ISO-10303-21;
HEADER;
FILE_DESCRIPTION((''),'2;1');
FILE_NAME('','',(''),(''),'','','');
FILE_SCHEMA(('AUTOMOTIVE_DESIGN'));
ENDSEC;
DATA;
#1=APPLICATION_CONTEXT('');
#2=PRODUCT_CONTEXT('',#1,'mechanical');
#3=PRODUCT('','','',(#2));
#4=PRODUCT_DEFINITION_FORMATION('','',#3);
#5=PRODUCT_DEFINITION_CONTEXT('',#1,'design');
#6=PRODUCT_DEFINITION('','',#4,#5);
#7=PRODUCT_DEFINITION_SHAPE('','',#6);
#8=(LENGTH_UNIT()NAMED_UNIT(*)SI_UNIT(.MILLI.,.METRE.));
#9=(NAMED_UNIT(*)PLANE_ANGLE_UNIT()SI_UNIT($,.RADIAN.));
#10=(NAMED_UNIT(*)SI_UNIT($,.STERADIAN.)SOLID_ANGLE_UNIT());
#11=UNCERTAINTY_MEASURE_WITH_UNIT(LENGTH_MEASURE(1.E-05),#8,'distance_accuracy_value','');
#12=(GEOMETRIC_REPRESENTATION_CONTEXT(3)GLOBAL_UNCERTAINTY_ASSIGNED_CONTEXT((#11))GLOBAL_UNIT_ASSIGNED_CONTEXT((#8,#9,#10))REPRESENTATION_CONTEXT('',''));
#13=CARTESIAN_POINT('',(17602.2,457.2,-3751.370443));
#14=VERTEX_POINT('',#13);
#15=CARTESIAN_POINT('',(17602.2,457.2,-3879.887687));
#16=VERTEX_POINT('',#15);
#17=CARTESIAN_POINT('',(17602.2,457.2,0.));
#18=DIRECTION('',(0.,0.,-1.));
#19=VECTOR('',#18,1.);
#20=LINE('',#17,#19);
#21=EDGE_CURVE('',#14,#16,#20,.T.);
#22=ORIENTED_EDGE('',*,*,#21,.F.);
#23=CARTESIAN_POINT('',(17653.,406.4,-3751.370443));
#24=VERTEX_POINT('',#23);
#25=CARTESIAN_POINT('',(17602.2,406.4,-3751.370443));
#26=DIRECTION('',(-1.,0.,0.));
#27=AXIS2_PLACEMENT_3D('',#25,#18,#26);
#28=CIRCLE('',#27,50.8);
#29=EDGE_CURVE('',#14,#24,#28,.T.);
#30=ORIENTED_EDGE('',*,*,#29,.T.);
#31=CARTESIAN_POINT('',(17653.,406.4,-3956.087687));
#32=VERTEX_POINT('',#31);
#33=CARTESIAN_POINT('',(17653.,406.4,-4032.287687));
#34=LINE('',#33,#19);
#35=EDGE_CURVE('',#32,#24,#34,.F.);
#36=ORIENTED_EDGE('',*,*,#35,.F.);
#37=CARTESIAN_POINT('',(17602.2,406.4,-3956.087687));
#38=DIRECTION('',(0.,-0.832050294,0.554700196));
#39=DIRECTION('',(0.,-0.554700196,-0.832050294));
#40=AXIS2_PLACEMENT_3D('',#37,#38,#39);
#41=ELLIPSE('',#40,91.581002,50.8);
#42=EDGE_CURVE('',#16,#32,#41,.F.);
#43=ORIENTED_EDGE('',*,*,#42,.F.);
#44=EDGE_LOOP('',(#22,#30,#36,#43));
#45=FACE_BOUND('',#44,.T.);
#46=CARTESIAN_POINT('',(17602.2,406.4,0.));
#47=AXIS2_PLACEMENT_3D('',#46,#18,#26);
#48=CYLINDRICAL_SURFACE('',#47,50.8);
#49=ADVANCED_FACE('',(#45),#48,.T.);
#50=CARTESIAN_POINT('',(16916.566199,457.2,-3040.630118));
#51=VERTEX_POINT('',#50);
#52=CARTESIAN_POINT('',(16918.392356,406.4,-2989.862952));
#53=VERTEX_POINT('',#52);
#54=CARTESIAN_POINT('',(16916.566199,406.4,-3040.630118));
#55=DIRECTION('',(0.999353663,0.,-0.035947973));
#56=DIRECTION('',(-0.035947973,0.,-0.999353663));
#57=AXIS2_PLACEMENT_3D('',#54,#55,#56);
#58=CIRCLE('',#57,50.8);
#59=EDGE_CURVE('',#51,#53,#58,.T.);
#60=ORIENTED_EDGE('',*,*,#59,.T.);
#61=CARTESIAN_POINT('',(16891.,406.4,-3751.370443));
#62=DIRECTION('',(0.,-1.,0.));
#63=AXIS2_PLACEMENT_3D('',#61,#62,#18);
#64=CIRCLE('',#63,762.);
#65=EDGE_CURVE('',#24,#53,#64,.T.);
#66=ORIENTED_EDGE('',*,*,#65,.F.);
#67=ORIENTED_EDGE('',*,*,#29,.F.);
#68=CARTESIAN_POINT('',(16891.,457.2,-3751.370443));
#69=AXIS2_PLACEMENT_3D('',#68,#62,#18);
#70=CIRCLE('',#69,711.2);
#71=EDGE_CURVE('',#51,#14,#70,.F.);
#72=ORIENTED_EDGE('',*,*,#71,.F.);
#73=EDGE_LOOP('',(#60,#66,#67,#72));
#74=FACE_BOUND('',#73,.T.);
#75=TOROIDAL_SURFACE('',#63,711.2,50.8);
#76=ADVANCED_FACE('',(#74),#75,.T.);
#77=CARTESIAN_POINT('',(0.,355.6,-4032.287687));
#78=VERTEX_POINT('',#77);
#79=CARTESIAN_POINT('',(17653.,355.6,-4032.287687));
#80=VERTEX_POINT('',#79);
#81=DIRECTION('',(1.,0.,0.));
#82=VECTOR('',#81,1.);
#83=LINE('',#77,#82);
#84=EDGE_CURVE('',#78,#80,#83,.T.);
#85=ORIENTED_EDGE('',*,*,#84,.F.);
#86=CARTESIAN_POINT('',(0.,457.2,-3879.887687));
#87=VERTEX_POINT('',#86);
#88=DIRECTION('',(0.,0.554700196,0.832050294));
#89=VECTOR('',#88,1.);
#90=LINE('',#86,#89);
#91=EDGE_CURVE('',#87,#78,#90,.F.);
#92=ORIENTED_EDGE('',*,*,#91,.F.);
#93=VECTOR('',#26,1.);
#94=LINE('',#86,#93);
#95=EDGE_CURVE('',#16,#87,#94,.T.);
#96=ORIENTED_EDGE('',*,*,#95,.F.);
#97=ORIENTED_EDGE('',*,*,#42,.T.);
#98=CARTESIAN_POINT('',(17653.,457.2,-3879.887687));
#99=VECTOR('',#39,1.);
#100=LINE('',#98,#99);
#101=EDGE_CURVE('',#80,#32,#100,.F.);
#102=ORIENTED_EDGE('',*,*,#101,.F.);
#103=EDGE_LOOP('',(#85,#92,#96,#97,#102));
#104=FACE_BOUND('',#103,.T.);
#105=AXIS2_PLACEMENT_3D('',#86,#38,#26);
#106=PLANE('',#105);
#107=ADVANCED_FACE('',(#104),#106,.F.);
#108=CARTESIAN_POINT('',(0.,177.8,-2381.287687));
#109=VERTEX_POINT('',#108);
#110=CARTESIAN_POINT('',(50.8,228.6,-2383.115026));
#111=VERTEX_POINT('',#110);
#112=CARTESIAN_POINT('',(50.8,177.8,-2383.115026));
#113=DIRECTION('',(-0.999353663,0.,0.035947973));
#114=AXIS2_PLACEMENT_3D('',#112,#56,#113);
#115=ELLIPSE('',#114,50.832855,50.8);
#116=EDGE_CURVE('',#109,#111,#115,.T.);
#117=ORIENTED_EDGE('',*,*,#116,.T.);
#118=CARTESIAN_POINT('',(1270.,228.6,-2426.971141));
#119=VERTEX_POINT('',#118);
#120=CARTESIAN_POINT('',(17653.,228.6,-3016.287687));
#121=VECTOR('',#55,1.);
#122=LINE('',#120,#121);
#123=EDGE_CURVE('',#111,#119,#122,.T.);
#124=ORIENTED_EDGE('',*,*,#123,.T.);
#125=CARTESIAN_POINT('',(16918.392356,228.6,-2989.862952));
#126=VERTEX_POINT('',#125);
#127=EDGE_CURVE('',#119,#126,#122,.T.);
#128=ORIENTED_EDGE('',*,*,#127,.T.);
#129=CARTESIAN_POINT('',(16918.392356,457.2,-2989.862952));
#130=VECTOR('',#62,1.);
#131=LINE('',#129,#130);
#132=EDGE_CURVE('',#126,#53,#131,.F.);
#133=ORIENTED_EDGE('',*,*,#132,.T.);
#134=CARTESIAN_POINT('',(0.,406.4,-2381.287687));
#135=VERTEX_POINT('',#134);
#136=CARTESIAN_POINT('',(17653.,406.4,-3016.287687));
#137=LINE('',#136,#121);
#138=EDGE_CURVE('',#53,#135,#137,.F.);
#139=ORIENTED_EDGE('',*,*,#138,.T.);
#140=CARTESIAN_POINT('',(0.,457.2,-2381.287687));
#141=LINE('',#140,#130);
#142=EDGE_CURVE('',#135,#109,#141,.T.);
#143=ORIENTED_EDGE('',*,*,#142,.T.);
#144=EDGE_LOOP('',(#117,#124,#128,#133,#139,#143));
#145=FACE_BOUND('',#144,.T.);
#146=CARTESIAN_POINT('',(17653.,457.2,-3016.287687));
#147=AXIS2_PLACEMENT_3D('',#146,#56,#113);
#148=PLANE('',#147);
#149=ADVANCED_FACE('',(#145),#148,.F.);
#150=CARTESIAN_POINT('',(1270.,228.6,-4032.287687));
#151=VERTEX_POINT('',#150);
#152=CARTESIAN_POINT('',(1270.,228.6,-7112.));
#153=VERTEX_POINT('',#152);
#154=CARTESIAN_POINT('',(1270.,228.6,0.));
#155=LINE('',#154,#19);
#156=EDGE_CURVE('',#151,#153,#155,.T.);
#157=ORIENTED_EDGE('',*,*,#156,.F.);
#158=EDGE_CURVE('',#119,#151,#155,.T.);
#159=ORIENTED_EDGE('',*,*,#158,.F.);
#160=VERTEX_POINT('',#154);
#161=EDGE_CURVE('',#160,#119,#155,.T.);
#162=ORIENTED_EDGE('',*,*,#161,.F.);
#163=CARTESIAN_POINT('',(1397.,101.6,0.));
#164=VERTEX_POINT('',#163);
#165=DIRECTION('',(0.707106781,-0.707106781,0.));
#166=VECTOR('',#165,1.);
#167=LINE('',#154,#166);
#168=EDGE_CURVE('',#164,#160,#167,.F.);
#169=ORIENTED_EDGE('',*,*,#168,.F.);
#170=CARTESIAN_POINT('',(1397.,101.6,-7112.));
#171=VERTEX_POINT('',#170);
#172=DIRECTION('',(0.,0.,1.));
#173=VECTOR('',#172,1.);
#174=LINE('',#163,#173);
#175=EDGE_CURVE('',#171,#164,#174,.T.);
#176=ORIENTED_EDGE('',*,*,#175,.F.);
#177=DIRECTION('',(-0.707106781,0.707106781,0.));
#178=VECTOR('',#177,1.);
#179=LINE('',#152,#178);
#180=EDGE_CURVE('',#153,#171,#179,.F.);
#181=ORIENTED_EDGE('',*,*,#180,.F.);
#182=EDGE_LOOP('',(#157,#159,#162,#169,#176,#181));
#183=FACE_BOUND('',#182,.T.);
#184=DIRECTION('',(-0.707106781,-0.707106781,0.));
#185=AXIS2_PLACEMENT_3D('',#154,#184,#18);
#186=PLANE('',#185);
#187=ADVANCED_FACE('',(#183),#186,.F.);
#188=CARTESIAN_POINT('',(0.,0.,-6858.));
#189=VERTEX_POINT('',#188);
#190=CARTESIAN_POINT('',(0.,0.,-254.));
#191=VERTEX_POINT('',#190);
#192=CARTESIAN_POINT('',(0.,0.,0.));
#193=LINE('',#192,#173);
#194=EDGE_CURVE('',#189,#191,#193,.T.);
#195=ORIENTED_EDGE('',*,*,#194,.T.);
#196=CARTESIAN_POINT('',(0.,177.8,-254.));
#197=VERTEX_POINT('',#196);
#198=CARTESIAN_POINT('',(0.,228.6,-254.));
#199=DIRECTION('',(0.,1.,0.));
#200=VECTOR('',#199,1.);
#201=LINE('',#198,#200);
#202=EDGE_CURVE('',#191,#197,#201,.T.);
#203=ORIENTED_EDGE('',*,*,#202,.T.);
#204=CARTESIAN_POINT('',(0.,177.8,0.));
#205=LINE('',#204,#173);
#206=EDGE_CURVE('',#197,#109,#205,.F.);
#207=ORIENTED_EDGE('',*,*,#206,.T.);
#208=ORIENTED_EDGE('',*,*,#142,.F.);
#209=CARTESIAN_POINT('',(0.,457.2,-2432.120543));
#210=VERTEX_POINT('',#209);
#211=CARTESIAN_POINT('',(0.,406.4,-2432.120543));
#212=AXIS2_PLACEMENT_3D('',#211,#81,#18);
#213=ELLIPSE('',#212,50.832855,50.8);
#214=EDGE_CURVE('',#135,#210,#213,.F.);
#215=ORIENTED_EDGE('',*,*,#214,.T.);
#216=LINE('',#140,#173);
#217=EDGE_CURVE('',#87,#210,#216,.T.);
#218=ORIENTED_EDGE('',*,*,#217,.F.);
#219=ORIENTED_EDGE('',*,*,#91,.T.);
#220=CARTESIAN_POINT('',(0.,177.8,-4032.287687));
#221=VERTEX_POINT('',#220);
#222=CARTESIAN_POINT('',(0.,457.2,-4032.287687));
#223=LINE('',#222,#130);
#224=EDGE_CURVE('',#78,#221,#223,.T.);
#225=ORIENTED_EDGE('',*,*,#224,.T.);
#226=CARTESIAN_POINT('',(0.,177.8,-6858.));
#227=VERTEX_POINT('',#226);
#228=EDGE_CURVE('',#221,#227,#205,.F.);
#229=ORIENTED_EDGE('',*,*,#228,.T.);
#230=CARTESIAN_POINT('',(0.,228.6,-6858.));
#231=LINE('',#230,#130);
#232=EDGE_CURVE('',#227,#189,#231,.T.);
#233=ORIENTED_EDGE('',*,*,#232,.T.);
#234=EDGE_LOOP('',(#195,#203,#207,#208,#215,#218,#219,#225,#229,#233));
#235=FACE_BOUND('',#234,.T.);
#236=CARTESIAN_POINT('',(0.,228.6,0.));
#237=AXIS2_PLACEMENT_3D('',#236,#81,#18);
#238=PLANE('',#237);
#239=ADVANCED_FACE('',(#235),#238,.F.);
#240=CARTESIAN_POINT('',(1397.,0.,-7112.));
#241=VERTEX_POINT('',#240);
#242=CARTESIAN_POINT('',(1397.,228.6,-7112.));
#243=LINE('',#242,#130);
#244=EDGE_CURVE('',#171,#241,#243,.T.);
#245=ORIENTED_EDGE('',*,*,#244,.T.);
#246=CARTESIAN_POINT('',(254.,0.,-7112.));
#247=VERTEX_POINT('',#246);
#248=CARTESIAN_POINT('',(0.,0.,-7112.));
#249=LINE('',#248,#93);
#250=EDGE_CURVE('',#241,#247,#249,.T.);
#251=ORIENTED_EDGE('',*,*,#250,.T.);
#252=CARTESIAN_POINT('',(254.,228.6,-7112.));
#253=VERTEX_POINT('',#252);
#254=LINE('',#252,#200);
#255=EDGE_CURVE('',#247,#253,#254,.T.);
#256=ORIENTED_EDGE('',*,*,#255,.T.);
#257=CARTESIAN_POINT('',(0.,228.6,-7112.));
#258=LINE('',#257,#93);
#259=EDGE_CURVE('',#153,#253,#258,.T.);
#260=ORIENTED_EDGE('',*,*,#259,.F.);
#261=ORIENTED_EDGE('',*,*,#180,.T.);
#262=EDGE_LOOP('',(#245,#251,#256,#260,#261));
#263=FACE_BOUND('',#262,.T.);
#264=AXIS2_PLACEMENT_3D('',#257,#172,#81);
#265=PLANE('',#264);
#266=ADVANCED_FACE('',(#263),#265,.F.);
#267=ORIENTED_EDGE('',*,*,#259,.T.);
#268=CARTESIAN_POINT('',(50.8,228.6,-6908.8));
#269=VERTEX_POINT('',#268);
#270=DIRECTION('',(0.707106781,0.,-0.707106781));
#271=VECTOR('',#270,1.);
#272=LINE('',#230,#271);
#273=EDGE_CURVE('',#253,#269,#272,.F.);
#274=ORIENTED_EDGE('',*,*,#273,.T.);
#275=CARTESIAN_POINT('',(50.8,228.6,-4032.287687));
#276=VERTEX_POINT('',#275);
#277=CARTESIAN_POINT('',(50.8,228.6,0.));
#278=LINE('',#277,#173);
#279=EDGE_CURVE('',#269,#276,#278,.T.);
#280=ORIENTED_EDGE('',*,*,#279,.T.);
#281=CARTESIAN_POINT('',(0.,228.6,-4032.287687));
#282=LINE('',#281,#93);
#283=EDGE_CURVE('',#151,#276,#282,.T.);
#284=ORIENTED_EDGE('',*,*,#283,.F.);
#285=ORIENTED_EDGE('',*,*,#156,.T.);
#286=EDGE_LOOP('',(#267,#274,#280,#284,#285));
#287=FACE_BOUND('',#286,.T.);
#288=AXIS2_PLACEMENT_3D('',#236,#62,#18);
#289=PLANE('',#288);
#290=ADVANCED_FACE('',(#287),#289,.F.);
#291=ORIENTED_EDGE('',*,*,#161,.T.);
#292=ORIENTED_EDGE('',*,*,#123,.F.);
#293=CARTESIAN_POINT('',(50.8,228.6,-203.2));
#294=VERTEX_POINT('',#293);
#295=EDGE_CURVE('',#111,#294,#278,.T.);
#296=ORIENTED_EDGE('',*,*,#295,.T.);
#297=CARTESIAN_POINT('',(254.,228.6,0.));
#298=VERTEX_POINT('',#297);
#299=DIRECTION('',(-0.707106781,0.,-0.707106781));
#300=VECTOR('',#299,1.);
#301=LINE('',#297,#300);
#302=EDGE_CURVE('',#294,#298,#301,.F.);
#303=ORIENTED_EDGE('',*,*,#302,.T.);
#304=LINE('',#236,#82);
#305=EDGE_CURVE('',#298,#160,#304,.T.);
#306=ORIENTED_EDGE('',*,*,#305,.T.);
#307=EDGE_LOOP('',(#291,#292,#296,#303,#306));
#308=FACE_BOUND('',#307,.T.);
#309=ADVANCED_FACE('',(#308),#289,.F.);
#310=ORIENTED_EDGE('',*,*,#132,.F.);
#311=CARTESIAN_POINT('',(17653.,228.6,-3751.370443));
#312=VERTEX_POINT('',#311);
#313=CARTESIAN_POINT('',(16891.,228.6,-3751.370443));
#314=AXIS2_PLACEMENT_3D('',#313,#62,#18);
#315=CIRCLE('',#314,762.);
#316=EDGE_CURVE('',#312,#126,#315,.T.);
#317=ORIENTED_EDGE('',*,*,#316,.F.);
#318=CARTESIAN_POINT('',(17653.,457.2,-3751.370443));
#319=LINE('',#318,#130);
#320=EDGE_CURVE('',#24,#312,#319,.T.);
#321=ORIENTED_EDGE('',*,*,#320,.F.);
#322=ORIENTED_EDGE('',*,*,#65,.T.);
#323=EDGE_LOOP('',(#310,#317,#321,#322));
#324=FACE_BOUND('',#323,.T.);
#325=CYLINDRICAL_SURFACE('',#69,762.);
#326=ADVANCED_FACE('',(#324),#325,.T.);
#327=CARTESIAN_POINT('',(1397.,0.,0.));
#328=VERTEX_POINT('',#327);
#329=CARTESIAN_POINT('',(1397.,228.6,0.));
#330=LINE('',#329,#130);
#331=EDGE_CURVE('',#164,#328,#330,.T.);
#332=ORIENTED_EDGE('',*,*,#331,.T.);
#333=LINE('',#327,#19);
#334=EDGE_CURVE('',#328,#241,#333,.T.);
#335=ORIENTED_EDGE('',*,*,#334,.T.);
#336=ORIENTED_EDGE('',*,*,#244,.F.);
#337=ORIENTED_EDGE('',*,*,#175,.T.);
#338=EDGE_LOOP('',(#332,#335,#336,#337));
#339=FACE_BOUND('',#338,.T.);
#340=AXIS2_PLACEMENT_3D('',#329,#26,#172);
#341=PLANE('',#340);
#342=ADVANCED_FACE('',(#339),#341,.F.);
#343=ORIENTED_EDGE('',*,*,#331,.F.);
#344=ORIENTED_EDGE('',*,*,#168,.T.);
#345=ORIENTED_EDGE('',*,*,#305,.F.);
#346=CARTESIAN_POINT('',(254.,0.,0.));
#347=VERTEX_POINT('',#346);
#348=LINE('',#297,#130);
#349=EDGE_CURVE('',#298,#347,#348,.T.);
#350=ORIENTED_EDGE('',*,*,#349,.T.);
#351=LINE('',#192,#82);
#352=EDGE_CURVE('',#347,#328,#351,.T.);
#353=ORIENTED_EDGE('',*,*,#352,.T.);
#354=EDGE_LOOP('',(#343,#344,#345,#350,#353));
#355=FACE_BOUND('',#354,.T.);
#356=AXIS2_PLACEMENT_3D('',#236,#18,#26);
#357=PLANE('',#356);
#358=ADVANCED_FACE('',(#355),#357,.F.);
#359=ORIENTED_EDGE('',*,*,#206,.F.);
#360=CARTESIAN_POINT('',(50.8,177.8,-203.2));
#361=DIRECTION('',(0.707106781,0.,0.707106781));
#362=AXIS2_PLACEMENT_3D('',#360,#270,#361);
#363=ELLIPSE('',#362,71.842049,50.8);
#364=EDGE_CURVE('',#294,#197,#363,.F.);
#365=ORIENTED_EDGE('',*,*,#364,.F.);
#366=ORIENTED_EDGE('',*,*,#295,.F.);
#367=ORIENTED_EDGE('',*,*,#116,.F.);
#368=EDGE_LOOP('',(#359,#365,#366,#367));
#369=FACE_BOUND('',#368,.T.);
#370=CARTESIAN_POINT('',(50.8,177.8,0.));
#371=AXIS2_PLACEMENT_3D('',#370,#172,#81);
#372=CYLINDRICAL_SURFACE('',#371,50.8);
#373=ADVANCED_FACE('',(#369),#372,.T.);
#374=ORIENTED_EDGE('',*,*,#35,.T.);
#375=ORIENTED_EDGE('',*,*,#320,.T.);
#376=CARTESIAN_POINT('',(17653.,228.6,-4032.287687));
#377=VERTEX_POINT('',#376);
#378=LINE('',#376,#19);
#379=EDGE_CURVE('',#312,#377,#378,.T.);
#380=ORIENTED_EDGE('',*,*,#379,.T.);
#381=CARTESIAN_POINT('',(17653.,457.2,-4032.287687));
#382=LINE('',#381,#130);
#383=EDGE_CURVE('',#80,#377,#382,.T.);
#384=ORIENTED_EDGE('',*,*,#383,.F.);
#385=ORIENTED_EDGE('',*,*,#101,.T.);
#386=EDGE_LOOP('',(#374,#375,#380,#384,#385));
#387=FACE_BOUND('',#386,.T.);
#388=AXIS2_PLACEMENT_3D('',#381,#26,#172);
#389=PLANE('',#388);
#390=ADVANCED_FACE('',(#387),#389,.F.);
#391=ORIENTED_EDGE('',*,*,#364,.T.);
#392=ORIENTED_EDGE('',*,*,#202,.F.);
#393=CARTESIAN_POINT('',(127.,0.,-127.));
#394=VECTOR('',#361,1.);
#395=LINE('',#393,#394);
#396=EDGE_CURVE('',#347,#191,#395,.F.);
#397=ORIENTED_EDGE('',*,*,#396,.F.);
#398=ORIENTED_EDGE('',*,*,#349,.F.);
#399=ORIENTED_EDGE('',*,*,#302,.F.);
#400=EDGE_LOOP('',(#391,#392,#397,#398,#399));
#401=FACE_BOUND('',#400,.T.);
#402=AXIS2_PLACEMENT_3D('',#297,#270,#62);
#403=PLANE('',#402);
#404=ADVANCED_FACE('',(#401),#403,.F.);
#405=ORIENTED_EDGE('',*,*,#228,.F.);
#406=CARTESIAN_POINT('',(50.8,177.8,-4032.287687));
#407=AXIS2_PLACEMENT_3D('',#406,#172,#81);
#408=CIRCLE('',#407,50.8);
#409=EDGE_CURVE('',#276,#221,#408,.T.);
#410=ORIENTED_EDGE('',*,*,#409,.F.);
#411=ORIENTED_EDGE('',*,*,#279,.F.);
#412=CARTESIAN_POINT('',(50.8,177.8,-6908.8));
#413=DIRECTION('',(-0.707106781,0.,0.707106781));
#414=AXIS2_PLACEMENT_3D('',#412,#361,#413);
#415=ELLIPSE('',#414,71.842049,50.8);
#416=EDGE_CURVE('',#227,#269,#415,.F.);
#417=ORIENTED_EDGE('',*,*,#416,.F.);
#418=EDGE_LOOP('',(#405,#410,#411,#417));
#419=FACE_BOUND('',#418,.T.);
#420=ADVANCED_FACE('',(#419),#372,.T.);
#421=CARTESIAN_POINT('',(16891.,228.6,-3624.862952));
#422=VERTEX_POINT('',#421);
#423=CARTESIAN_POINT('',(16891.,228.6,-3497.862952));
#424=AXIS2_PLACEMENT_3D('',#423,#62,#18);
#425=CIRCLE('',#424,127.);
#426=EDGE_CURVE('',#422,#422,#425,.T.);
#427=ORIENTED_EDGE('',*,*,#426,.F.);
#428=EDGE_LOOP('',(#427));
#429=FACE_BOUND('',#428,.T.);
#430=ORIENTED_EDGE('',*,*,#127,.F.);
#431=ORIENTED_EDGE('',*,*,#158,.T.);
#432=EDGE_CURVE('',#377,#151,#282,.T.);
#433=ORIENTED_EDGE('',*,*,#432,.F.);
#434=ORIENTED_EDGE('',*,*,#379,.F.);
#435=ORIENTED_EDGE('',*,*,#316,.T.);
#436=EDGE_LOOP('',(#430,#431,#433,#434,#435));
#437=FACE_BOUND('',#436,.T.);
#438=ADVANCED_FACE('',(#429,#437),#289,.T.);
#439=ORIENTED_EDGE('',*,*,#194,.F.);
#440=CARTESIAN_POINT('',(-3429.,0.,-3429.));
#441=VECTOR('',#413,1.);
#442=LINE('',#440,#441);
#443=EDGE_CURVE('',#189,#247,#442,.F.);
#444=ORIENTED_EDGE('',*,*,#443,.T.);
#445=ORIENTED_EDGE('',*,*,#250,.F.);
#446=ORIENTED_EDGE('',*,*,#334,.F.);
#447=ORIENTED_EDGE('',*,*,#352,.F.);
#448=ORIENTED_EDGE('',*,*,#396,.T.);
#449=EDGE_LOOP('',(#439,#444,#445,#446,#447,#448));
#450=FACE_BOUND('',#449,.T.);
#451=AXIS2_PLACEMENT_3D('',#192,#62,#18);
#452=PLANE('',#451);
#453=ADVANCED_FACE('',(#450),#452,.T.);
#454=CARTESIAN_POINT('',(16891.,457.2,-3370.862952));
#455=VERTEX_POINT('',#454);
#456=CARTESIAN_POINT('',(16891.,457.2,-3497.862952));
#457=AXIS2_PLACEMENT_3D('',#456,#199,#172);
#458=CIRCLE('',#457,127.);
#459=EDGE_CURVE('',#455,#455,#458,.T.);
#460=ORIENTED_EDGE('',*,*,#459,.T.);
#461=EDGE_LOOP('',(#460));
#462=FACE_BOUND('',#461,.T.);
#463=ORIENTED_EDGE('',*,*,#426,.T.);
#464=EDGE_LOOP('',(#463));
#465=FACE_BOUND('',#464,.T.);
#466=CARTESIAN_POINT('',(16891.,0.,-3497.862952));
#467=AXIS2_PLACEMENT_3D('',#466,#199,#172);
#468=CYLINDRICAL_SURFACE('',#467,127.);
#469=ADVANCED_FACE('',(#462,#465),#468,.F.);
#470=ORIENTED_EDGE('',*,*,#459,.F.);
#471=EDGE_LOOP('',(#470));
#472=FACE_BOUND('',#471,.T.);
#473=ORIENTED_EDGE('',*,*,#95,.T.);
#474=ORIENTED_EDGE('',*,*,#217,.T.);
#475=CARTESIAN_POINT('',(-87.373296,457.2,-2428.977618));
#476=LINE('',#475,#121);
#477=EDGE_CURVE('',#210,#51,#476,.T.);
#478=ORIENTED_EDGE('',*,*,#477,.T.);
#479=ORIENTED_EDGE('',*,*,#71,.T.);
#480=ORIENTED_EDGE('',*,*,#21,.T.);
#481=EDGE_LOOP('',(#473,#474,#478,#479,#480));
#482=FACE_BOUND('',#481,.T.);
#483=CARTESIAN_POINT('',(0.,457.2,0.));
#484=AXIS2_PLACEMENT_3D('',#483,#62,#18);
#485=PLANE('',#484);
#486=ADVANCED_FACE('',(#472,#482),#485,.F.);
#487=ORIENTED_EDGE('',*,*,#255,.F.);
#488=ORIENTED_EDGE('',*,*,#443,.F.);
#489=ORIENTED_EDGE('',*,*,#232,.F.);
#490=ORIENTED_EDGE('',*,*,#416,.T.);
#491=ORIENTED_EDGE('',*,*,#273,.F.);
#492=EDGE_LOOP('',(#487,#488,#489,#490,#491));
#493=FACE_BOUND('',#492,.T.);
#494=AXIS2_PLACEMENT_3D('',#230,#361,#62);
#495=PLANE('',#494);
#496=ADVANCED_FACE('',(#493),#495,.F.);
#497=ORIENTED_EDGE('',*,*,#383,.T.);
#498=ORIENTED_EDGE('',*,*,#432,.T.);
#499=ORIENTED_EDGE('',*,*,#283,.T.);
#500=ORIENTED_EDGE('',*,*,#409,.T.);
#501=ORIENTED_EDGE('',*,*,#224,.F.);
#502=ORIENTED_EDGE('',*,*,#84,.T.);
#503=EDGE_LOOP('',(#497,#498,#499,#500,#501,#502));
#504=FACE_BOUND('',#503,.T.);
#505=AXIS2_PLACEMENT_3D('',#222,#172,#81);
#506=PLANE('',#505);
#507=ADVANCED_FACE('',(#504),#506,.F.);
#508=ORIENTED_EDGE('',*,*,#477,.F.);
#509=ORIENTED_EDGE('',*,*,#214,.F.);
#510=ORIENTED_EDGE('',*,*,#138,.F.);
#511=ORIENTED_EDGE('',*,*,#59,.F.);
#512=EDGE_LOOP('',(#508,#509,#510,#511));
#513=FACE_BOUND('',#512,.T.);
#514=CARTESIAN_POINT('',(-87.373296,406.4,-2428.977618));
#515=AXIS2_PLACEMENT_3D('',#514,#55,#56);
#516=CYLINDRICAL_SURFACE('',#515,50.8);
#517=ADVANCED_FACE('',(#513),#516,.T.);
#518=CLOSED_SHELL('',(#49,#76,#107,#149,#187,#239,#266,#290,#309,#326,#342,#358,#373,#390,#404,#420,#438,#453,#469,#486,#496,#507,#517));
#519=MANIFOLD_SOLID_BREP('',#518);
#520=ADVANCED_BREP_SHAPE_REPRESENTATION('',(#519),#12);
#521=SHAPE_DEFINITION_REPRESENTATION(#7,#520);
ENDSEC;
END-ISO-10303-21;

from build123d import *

# Parameters (mm, degrees)
SKETCH1_W           = 1397
SKETCH1_H           = 7112
BOSS_EXTRUDE1_DEPTH = 228.6
CHAMFER1_SIZE       = 127
CHAMFER3_SIZE       = 254
CHAMFER4_SIZE       = 254
BOSS_EXTRUDE2_DEPTH = 228.6
CHAMFER5_SIZE       = 101.6
CHAMFER5_SIZE2      = 152.4
FILLET1_R           = 762
FILLET2_R           = 50.8
SKETCH4_R           = 127
CUT_EXTRUDE1_DEPTH  = 19038.278819294


with BuildPart() as part:
    # Sketch1 → Boss-Extrude1 (new body)
    with BuildSketch(Plane(origin=(0, 0, 0), x_dir=(1, 0, 0), z_dir=(0, 1, 0))):
        with Locations((698.5, 3556)):
            Rectangle(SKETCH1_W, SKETCH1_H)
    extrude(amount=BOSS_EXTRUDE1_DEPTH)

    # Chamfer1
    chamfer1_edges = [part.edges().sort_by_distance(p)[0] for p in [
        (1397, 228.6, -3556),
    ]]
    chamfer(chamfer1_edges, length=CHAMFER1_SIZE)

    # Chamfer3
    chamfer3_edges = [part.edges().sort_by_distance(p)[0] for p in [
        (0, 114.3, -7112),
    ]]
    chamfer(chamfer3_edges, length=CHAMFER3_SIZE)

    # Chamfer4
    chamfer4_edges = [part.edges().sort_by_distance(p)[0] for p in [
        (0, 114.3, 0),
    ]]
    chamfer(chamfer4_edges, length=CHAMFER4_SIZE)

    # Sketch3 → Boss-Extrude2 (add)
    with BuildSketch(Plane(origin=(0, 228.6, 0), x_dir=(1, 0, 0), z_dir=(0, 1, 0))):
        Polygon((17653, 3016.28768746), (0, 2381.28768746), (0, 4032.28768746), (17653, 4032.28768746), align=None)
    extrude(amount=BOSS_EXTRUDE2_DEPTH)

    # Chamfer5
    chamfer5_edges = [part.edges().sort_by_distance(p)[0] for p in [
        (8826.5, 457.2, -4032.28768746),
    ]]
    chamfer5_side = [part.faces().sort_by_distance(p)[0] for p in [
        (8826.5, 342.9, -4032.28768746),
    ]]
    chamfer(chamfer5_edges, length=CHAMFER5_SIZE, length2=CHAMFER5_SIZE2, reference=chamfer5_side[0])

    # Fillet1
    fillet1_edges = [part.edges().sort_by_distance(p)[0] for p in [
        (17653, 342.9, -3016.28768746),
    ]]
    fillet(fillet1_edges, radius=FILLET1_R)

    # Fillet2
    fillet2_edges = [part.edges().sort_by_distance(p)[0] for p in [
        (0, 228.6, -5445.14384373),
        (0, 228.6, -1317.64384373),
        (8459.196177896, 457.2, -2685.575319758),
        (17653, 457.2, -3815.629065257),
        (17439.41452165, 457.2, -3222.328372473),
    ]]
    fillet(fillet2_edges, radius=FILLET2_R)

    # Sketch4 → Cut-Extrude1 (cut, through all)
    with BuildSketch(Plane(origin=(0, 457.2, 0), x_dir=(1, 0, 0), z_dir=(0, 1, 0))):
        with Locations(Location((16891, 3497.862952057, 0), (0, 0, 270))):
            Circle(SKETCH4_R)
    extrude(amount=-CUT_EXTRUDE1_DEPTH, mode=Mode.SUBTRACT)


solid = part.part
